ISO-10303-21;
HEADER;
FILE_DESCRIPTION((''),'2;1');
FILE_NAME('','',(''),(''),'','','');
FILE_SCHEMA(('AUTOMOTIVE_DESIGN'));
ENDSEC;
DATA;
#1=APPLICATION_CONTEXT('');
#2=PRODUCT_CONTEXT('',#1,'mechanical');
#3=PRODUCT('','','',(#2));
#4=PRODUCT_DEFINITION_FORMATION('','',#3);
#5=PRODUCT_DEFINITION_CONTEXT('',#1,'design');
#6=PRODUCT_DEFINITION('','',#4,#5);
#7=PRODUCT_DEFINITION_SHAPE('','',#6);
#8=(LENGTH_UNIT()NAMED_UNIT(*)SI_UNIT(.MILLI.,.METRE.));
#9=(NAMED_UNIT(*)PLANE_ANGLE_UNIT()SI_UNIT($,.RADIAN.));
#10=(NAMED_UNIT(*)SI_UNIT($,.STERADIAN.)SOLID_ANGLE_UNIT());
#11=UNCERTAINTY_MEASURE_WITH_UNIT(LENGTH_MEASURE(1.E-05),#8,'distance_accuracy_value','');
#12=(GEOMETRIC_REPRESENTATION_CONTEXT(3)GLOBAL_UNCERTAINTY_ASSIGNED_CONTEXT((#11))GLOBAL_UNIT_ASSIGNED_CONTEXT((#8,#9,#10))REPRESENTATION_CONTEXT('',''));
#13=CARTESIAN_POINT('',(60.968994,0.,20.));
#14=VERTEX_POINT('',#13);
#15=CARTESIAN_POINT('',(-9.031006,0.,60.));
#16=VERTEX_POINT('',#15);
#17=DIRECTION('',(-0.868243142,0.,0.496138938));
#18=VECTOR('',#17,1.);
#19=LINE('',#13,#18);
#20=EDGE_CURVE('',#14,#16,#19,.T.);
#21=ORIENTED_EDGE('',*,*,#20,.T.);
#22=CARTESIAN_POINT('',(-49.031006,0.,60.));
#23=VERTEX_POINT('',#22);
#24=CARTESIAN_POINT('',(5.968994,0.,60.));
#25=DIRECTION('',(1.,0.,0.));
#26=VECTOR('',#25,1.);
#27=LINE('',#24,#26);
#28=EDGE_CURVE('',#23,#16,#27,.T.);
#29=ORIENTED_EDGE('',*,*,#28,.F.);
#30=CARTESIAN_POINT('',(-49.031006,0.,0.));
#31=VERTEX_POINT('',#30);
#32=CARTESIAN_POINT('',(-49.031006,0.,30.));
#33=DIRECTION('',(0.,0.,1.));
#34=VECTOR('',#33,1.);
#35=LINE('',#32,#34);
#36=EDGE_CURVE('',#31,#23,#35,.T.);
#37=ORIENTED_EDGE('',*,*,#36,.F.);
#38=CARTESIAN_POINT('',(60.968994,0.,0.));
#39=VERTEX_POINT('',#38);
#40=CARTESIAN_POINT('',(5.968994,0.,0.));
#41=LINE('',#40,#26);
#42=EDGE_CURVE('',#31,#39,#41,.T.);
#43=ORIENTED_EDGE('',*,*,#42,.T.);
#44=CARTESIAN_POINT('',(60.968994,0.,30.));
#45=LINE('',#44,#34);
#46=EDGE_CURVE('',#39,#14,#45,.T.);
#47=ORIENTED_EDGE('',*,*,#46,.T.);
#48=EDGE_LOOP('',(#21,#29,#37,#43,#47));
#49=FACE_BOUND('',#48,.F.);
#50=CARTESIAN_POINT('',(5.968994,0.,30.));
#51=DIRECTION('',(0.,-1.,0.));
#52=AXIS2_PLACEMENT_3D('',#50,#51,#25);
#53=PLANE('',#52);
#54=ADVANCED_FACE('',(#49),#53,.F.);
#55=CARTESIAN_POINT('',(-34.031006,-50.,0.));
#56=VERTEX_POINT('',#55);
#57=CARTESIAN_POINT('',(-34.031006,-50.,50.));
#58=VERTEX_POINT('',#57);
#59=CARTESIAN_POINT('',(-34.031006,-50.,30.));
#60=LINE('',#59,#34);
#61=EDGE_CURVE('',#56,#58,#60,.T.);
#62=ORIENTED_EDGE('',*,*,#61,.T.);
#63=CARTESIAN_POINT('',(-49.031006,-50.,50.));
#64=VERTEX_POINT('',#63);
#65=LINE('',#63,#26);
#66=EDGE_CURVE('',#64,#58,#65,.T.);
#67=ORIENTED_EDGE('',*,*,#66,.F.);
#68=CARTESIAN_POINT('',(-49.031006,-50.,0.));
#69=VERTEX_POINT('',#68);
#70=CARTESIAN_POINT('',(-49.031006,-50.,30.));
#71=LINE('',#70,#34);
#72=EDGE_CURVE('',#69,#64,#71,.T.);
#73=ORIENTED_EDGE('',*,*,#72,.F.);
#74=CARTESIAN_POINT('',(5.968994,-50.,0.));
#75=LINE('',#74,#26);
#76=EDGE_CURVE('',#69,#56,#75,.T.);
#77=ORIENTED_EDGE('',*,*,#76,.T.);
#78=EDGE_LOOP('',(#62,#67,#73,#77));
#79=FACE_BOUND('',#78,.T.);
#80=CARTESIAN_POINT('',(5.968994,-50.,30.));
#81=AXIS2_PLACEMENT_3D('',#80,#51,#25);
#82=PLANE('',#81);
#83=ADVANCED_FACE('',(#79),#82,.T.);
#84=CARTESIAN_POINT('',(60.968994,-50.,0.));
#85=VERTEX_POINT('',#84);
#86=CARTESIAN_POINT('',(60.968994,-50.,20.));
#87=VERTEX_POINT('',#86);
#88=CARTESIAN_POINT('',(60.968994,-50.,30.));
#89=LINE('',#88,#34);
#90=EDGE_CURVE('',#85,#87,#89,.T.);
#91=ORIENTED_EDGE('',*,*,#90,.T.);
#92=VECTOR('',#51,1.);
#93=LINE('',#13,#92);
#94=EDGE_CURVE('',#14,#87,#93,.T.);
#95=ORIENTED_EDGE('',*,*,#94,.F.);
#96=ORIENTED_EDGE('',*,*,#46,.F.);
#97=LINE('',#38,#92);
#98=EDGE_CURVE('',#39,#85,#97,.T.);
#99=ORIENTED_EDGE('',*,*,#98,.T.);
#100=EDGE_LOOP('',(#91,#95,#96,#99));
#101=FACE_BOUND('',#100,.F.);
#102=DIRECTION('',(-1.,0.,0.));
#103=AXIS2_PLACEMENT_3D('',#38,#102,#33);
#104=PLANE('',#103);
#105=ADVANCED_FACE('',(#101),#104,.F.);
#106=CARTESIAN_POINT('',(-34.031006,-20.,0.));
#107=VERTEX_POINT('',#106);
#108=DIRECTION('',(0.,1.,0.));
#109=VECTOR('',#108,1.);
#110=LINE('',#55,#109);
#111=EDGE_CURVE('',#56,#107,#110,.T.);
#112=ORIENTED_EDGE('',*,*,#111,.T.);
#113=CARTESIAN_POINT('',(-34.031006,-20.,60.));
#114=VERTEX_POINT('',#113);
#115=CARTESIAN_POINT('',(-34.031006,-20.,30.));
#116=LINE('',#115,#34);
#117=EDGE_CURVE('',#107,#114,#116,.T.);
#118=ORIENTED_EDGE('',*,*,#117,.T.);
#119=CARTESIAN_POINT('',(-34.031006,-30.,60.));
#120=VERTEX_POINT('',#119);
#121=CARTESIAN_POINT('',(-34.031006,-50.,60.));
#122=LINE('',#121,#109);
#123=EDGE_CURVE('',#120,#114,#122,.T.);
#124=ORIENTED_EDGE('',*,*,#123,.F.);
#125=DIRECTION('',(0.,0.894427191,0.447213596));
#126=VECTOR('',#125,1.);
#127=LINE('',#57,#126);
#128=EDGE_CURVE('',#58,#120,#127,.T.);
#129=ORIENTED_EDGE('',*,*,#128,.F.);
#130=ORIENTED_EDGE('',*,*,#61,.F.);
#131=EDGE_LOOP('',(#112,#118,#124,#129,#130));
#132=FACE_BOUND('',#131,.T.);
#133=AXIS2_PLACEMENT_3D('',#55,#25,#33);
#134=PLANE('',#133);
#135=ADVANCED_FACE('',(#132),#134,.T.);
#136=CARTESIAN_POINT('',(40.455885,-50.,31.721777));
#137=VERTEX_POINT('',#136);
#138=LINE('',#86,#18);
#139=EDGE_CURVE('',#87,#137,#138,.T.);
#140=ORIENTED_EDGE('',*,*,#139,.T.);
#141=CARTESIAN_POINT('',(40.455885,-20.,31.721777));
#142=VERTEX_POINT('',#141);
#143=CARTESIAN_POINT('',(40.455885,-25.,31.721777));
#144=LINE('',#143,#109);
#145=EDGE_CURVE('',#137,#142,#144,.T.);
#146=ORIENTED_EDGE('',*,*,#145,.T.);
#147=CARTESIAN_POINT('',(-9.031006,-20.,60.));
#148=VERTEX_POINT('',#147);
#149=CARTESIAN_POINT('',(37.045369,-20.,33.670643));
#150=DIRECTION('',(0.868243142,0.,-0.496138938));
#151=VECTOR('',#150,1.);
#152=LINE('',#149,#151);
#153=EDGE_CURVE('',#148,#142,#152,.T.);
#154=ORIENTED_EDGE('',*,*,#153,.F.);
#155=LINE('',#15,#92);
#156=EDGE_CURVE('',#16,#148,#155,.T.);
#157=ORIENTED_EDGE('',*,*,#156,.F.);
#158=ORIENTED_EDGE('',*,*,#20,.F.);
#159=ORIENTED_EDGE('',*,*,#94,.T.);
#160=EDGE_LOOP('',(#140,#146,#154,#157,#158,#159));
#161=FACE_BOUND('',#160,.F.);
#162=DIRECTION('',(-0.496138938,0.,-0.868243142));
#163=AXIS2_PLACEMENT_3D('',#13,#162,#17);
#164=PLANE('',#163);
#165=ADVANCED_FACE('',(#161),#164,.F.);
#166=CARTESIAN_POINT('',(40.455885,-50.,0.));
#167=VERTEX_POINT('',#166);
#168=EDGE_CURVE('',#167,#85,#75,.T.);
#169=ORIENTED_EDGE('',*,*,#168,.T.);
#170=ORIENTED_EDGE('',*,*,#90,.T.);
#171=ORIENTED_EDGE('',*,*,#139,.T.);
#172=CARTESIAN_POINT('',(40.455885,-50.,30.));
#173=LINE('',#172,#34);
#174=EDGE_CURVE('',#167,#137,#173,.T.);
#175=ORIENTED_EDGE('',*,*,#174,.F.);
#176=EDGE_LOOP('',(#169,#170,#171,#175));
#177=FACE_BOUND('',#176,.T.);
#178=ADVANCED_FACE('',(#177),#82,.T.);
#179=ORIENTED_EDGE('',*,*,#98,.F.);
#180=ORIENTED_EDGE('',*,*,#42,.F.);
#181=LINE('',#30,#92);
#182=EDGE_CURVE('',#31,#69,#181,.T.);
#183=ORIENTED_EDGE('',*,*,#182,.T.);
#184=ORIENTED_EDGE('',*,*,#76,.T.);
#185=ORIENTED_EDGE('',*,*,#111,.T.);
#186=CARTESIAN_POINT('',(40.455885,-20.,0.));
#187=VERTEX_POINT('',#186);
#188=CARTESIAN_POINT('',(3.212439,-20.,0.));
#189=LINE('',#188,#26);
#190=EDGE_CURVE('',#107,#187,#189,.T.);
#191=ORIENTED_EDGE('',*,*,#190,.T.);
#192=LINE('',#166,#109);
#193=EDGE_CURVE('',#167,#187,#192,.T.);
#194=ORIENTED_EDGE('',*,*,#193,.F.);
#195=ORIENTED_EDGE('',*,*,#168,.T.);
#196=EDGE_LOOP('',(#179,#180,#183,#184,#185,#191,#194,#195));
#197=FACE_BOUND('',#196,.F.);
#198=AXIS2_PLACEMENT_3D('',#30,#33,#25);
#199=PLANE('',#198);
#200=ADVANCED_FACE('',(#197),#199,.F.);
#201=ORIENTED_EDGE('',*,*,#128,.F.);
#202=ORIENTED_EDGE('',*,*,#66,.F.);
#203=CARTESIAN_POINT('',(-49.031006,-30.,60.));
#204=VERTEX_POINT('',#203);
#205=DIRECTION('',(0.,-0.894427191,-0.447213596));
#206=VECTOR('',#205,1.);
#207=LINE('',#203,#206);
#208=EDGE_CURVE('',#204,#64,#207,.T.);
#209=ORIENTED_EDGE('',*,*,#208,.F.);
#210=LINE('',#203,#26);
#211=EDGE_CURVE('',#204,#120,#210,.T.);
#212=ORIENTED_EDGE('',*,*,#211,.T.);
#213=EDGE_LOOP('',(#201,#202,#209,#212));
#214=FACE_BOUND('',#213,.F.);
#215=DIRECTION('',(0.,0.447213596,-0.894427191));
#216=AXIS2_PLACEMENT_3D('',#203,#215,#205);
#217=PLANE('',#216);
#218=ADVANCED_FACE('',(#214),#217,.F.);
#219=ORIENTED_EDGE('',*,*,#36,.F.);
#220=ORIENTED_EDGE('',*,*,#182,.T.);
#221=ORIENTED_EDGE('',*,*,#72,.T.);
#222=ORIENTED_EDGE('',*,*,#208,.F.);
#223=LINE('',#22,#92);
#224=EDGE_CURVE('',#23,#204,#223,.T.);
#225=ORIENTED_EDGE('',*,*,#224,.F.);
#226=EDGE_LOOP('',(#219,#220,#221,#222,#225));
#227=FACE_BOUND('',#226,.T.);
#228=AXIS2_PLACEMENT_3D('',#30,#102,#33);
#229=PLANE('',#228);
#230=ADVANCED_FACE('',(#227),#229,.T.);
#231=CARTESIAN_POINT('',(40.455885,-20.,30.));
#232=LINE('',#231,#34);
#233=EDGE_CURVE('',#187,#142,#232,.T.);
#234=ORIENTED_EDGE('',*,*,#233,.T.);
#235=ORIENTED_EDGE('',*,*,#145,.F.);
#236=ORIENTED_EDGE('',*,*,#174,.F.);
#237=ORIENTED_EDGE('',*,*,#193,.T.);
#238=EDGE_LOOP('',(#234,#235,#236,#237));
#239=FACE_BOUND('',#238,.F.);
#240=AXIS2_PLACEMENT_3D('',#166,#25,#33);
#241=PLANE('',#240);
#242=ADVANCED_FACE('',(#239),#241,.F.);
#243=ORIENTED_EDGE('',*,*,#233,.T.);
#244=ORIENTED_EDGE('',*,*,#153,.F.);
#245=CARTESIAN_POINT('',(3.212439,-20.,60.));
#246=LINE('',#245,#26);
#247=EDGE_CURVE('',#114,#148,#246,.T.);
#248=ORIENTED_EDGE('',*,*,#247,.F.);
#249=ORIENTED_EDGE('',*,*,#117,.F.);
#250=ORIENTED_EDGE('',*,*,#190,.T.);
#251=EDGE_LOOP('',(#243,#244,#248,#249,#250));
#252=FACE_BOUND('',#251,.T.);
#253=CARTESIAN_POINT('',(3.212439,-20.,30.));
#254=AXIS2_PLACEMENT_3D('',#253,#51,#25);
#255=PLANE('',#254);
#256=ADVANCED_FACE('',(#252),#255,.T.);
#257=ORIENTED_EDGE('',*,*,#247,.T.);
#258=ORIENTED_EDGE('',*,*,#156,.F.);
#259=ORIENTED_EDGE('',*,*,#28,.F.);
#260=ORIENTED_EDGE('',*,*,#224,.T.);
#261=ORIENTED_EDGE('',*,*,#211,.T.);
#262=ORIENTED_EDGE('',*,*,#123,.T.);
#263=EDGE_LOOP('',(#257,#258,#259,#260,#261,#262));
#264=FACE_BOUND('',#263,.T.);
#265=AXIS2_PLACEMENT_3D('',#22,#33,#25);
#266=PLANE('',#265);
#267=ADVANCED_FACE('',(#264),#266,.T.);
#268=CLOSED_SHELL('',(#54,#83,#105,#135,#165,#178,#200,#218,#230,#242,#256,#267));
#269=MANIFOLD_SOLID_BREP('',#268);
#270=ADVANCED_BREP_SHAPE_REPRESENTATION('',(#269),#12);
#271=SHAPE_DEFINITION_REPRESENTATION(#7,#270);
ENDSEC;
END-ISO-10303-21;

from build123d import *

# Parameters (mm, degrees)
F0_W     = 110
F0_H     = 60
F1_DEPTH = 50
F2_W     = 74.486891
F2_H     = 60
F3_DEPTH = 30
F5_DEPTH = 15
F7_DEPTH = 50


with BuildPart() as f1:
    # F0 (on Front) → F1 (new body)
    with BuildSketch(Plane.XZ):
        with Locations((5.968994, 30)):
            Rectangle(F0_W, F0_H)
    extrude(amount=F1_DEPTH)

    # F2 (on face) → F3 (cut)
    with BuildSketch(Plane.XZ.offset(50)):
        with Locations((3.212439, 30)):
            Rectangle(F2_W, F2_H)
    extrude(amount=-F3_DEPTH, mode=Mode.SUBTRACT)

    # F4 (on face) → F5 (cut)
    with BuildSketch(Plane(origin=(-49.031006, 0, 0), x_dir=(0, -1, 0), z_dir=(-1, 0, 0))):
        Polygon((50, 60), (30, 60), (50, 50), align=None)
    extrude(amount=-F5_DEPTH, mode=Mode.SUBTRACT)

    # F6 (on face) → F7 (cut)
    with BuildSketch(Plane(origin=(0, 0, 0), x_dir=(-1, 0, 0), z_dir=(0, 1, 0))):
        Polygon((-60.968994, 20), (9.031006, 60), (-60.968994, 60), align=None)
    extrude(amount=-F7_DEPTH, mode=Mode.SUBTRACT)


solid = f1.part
